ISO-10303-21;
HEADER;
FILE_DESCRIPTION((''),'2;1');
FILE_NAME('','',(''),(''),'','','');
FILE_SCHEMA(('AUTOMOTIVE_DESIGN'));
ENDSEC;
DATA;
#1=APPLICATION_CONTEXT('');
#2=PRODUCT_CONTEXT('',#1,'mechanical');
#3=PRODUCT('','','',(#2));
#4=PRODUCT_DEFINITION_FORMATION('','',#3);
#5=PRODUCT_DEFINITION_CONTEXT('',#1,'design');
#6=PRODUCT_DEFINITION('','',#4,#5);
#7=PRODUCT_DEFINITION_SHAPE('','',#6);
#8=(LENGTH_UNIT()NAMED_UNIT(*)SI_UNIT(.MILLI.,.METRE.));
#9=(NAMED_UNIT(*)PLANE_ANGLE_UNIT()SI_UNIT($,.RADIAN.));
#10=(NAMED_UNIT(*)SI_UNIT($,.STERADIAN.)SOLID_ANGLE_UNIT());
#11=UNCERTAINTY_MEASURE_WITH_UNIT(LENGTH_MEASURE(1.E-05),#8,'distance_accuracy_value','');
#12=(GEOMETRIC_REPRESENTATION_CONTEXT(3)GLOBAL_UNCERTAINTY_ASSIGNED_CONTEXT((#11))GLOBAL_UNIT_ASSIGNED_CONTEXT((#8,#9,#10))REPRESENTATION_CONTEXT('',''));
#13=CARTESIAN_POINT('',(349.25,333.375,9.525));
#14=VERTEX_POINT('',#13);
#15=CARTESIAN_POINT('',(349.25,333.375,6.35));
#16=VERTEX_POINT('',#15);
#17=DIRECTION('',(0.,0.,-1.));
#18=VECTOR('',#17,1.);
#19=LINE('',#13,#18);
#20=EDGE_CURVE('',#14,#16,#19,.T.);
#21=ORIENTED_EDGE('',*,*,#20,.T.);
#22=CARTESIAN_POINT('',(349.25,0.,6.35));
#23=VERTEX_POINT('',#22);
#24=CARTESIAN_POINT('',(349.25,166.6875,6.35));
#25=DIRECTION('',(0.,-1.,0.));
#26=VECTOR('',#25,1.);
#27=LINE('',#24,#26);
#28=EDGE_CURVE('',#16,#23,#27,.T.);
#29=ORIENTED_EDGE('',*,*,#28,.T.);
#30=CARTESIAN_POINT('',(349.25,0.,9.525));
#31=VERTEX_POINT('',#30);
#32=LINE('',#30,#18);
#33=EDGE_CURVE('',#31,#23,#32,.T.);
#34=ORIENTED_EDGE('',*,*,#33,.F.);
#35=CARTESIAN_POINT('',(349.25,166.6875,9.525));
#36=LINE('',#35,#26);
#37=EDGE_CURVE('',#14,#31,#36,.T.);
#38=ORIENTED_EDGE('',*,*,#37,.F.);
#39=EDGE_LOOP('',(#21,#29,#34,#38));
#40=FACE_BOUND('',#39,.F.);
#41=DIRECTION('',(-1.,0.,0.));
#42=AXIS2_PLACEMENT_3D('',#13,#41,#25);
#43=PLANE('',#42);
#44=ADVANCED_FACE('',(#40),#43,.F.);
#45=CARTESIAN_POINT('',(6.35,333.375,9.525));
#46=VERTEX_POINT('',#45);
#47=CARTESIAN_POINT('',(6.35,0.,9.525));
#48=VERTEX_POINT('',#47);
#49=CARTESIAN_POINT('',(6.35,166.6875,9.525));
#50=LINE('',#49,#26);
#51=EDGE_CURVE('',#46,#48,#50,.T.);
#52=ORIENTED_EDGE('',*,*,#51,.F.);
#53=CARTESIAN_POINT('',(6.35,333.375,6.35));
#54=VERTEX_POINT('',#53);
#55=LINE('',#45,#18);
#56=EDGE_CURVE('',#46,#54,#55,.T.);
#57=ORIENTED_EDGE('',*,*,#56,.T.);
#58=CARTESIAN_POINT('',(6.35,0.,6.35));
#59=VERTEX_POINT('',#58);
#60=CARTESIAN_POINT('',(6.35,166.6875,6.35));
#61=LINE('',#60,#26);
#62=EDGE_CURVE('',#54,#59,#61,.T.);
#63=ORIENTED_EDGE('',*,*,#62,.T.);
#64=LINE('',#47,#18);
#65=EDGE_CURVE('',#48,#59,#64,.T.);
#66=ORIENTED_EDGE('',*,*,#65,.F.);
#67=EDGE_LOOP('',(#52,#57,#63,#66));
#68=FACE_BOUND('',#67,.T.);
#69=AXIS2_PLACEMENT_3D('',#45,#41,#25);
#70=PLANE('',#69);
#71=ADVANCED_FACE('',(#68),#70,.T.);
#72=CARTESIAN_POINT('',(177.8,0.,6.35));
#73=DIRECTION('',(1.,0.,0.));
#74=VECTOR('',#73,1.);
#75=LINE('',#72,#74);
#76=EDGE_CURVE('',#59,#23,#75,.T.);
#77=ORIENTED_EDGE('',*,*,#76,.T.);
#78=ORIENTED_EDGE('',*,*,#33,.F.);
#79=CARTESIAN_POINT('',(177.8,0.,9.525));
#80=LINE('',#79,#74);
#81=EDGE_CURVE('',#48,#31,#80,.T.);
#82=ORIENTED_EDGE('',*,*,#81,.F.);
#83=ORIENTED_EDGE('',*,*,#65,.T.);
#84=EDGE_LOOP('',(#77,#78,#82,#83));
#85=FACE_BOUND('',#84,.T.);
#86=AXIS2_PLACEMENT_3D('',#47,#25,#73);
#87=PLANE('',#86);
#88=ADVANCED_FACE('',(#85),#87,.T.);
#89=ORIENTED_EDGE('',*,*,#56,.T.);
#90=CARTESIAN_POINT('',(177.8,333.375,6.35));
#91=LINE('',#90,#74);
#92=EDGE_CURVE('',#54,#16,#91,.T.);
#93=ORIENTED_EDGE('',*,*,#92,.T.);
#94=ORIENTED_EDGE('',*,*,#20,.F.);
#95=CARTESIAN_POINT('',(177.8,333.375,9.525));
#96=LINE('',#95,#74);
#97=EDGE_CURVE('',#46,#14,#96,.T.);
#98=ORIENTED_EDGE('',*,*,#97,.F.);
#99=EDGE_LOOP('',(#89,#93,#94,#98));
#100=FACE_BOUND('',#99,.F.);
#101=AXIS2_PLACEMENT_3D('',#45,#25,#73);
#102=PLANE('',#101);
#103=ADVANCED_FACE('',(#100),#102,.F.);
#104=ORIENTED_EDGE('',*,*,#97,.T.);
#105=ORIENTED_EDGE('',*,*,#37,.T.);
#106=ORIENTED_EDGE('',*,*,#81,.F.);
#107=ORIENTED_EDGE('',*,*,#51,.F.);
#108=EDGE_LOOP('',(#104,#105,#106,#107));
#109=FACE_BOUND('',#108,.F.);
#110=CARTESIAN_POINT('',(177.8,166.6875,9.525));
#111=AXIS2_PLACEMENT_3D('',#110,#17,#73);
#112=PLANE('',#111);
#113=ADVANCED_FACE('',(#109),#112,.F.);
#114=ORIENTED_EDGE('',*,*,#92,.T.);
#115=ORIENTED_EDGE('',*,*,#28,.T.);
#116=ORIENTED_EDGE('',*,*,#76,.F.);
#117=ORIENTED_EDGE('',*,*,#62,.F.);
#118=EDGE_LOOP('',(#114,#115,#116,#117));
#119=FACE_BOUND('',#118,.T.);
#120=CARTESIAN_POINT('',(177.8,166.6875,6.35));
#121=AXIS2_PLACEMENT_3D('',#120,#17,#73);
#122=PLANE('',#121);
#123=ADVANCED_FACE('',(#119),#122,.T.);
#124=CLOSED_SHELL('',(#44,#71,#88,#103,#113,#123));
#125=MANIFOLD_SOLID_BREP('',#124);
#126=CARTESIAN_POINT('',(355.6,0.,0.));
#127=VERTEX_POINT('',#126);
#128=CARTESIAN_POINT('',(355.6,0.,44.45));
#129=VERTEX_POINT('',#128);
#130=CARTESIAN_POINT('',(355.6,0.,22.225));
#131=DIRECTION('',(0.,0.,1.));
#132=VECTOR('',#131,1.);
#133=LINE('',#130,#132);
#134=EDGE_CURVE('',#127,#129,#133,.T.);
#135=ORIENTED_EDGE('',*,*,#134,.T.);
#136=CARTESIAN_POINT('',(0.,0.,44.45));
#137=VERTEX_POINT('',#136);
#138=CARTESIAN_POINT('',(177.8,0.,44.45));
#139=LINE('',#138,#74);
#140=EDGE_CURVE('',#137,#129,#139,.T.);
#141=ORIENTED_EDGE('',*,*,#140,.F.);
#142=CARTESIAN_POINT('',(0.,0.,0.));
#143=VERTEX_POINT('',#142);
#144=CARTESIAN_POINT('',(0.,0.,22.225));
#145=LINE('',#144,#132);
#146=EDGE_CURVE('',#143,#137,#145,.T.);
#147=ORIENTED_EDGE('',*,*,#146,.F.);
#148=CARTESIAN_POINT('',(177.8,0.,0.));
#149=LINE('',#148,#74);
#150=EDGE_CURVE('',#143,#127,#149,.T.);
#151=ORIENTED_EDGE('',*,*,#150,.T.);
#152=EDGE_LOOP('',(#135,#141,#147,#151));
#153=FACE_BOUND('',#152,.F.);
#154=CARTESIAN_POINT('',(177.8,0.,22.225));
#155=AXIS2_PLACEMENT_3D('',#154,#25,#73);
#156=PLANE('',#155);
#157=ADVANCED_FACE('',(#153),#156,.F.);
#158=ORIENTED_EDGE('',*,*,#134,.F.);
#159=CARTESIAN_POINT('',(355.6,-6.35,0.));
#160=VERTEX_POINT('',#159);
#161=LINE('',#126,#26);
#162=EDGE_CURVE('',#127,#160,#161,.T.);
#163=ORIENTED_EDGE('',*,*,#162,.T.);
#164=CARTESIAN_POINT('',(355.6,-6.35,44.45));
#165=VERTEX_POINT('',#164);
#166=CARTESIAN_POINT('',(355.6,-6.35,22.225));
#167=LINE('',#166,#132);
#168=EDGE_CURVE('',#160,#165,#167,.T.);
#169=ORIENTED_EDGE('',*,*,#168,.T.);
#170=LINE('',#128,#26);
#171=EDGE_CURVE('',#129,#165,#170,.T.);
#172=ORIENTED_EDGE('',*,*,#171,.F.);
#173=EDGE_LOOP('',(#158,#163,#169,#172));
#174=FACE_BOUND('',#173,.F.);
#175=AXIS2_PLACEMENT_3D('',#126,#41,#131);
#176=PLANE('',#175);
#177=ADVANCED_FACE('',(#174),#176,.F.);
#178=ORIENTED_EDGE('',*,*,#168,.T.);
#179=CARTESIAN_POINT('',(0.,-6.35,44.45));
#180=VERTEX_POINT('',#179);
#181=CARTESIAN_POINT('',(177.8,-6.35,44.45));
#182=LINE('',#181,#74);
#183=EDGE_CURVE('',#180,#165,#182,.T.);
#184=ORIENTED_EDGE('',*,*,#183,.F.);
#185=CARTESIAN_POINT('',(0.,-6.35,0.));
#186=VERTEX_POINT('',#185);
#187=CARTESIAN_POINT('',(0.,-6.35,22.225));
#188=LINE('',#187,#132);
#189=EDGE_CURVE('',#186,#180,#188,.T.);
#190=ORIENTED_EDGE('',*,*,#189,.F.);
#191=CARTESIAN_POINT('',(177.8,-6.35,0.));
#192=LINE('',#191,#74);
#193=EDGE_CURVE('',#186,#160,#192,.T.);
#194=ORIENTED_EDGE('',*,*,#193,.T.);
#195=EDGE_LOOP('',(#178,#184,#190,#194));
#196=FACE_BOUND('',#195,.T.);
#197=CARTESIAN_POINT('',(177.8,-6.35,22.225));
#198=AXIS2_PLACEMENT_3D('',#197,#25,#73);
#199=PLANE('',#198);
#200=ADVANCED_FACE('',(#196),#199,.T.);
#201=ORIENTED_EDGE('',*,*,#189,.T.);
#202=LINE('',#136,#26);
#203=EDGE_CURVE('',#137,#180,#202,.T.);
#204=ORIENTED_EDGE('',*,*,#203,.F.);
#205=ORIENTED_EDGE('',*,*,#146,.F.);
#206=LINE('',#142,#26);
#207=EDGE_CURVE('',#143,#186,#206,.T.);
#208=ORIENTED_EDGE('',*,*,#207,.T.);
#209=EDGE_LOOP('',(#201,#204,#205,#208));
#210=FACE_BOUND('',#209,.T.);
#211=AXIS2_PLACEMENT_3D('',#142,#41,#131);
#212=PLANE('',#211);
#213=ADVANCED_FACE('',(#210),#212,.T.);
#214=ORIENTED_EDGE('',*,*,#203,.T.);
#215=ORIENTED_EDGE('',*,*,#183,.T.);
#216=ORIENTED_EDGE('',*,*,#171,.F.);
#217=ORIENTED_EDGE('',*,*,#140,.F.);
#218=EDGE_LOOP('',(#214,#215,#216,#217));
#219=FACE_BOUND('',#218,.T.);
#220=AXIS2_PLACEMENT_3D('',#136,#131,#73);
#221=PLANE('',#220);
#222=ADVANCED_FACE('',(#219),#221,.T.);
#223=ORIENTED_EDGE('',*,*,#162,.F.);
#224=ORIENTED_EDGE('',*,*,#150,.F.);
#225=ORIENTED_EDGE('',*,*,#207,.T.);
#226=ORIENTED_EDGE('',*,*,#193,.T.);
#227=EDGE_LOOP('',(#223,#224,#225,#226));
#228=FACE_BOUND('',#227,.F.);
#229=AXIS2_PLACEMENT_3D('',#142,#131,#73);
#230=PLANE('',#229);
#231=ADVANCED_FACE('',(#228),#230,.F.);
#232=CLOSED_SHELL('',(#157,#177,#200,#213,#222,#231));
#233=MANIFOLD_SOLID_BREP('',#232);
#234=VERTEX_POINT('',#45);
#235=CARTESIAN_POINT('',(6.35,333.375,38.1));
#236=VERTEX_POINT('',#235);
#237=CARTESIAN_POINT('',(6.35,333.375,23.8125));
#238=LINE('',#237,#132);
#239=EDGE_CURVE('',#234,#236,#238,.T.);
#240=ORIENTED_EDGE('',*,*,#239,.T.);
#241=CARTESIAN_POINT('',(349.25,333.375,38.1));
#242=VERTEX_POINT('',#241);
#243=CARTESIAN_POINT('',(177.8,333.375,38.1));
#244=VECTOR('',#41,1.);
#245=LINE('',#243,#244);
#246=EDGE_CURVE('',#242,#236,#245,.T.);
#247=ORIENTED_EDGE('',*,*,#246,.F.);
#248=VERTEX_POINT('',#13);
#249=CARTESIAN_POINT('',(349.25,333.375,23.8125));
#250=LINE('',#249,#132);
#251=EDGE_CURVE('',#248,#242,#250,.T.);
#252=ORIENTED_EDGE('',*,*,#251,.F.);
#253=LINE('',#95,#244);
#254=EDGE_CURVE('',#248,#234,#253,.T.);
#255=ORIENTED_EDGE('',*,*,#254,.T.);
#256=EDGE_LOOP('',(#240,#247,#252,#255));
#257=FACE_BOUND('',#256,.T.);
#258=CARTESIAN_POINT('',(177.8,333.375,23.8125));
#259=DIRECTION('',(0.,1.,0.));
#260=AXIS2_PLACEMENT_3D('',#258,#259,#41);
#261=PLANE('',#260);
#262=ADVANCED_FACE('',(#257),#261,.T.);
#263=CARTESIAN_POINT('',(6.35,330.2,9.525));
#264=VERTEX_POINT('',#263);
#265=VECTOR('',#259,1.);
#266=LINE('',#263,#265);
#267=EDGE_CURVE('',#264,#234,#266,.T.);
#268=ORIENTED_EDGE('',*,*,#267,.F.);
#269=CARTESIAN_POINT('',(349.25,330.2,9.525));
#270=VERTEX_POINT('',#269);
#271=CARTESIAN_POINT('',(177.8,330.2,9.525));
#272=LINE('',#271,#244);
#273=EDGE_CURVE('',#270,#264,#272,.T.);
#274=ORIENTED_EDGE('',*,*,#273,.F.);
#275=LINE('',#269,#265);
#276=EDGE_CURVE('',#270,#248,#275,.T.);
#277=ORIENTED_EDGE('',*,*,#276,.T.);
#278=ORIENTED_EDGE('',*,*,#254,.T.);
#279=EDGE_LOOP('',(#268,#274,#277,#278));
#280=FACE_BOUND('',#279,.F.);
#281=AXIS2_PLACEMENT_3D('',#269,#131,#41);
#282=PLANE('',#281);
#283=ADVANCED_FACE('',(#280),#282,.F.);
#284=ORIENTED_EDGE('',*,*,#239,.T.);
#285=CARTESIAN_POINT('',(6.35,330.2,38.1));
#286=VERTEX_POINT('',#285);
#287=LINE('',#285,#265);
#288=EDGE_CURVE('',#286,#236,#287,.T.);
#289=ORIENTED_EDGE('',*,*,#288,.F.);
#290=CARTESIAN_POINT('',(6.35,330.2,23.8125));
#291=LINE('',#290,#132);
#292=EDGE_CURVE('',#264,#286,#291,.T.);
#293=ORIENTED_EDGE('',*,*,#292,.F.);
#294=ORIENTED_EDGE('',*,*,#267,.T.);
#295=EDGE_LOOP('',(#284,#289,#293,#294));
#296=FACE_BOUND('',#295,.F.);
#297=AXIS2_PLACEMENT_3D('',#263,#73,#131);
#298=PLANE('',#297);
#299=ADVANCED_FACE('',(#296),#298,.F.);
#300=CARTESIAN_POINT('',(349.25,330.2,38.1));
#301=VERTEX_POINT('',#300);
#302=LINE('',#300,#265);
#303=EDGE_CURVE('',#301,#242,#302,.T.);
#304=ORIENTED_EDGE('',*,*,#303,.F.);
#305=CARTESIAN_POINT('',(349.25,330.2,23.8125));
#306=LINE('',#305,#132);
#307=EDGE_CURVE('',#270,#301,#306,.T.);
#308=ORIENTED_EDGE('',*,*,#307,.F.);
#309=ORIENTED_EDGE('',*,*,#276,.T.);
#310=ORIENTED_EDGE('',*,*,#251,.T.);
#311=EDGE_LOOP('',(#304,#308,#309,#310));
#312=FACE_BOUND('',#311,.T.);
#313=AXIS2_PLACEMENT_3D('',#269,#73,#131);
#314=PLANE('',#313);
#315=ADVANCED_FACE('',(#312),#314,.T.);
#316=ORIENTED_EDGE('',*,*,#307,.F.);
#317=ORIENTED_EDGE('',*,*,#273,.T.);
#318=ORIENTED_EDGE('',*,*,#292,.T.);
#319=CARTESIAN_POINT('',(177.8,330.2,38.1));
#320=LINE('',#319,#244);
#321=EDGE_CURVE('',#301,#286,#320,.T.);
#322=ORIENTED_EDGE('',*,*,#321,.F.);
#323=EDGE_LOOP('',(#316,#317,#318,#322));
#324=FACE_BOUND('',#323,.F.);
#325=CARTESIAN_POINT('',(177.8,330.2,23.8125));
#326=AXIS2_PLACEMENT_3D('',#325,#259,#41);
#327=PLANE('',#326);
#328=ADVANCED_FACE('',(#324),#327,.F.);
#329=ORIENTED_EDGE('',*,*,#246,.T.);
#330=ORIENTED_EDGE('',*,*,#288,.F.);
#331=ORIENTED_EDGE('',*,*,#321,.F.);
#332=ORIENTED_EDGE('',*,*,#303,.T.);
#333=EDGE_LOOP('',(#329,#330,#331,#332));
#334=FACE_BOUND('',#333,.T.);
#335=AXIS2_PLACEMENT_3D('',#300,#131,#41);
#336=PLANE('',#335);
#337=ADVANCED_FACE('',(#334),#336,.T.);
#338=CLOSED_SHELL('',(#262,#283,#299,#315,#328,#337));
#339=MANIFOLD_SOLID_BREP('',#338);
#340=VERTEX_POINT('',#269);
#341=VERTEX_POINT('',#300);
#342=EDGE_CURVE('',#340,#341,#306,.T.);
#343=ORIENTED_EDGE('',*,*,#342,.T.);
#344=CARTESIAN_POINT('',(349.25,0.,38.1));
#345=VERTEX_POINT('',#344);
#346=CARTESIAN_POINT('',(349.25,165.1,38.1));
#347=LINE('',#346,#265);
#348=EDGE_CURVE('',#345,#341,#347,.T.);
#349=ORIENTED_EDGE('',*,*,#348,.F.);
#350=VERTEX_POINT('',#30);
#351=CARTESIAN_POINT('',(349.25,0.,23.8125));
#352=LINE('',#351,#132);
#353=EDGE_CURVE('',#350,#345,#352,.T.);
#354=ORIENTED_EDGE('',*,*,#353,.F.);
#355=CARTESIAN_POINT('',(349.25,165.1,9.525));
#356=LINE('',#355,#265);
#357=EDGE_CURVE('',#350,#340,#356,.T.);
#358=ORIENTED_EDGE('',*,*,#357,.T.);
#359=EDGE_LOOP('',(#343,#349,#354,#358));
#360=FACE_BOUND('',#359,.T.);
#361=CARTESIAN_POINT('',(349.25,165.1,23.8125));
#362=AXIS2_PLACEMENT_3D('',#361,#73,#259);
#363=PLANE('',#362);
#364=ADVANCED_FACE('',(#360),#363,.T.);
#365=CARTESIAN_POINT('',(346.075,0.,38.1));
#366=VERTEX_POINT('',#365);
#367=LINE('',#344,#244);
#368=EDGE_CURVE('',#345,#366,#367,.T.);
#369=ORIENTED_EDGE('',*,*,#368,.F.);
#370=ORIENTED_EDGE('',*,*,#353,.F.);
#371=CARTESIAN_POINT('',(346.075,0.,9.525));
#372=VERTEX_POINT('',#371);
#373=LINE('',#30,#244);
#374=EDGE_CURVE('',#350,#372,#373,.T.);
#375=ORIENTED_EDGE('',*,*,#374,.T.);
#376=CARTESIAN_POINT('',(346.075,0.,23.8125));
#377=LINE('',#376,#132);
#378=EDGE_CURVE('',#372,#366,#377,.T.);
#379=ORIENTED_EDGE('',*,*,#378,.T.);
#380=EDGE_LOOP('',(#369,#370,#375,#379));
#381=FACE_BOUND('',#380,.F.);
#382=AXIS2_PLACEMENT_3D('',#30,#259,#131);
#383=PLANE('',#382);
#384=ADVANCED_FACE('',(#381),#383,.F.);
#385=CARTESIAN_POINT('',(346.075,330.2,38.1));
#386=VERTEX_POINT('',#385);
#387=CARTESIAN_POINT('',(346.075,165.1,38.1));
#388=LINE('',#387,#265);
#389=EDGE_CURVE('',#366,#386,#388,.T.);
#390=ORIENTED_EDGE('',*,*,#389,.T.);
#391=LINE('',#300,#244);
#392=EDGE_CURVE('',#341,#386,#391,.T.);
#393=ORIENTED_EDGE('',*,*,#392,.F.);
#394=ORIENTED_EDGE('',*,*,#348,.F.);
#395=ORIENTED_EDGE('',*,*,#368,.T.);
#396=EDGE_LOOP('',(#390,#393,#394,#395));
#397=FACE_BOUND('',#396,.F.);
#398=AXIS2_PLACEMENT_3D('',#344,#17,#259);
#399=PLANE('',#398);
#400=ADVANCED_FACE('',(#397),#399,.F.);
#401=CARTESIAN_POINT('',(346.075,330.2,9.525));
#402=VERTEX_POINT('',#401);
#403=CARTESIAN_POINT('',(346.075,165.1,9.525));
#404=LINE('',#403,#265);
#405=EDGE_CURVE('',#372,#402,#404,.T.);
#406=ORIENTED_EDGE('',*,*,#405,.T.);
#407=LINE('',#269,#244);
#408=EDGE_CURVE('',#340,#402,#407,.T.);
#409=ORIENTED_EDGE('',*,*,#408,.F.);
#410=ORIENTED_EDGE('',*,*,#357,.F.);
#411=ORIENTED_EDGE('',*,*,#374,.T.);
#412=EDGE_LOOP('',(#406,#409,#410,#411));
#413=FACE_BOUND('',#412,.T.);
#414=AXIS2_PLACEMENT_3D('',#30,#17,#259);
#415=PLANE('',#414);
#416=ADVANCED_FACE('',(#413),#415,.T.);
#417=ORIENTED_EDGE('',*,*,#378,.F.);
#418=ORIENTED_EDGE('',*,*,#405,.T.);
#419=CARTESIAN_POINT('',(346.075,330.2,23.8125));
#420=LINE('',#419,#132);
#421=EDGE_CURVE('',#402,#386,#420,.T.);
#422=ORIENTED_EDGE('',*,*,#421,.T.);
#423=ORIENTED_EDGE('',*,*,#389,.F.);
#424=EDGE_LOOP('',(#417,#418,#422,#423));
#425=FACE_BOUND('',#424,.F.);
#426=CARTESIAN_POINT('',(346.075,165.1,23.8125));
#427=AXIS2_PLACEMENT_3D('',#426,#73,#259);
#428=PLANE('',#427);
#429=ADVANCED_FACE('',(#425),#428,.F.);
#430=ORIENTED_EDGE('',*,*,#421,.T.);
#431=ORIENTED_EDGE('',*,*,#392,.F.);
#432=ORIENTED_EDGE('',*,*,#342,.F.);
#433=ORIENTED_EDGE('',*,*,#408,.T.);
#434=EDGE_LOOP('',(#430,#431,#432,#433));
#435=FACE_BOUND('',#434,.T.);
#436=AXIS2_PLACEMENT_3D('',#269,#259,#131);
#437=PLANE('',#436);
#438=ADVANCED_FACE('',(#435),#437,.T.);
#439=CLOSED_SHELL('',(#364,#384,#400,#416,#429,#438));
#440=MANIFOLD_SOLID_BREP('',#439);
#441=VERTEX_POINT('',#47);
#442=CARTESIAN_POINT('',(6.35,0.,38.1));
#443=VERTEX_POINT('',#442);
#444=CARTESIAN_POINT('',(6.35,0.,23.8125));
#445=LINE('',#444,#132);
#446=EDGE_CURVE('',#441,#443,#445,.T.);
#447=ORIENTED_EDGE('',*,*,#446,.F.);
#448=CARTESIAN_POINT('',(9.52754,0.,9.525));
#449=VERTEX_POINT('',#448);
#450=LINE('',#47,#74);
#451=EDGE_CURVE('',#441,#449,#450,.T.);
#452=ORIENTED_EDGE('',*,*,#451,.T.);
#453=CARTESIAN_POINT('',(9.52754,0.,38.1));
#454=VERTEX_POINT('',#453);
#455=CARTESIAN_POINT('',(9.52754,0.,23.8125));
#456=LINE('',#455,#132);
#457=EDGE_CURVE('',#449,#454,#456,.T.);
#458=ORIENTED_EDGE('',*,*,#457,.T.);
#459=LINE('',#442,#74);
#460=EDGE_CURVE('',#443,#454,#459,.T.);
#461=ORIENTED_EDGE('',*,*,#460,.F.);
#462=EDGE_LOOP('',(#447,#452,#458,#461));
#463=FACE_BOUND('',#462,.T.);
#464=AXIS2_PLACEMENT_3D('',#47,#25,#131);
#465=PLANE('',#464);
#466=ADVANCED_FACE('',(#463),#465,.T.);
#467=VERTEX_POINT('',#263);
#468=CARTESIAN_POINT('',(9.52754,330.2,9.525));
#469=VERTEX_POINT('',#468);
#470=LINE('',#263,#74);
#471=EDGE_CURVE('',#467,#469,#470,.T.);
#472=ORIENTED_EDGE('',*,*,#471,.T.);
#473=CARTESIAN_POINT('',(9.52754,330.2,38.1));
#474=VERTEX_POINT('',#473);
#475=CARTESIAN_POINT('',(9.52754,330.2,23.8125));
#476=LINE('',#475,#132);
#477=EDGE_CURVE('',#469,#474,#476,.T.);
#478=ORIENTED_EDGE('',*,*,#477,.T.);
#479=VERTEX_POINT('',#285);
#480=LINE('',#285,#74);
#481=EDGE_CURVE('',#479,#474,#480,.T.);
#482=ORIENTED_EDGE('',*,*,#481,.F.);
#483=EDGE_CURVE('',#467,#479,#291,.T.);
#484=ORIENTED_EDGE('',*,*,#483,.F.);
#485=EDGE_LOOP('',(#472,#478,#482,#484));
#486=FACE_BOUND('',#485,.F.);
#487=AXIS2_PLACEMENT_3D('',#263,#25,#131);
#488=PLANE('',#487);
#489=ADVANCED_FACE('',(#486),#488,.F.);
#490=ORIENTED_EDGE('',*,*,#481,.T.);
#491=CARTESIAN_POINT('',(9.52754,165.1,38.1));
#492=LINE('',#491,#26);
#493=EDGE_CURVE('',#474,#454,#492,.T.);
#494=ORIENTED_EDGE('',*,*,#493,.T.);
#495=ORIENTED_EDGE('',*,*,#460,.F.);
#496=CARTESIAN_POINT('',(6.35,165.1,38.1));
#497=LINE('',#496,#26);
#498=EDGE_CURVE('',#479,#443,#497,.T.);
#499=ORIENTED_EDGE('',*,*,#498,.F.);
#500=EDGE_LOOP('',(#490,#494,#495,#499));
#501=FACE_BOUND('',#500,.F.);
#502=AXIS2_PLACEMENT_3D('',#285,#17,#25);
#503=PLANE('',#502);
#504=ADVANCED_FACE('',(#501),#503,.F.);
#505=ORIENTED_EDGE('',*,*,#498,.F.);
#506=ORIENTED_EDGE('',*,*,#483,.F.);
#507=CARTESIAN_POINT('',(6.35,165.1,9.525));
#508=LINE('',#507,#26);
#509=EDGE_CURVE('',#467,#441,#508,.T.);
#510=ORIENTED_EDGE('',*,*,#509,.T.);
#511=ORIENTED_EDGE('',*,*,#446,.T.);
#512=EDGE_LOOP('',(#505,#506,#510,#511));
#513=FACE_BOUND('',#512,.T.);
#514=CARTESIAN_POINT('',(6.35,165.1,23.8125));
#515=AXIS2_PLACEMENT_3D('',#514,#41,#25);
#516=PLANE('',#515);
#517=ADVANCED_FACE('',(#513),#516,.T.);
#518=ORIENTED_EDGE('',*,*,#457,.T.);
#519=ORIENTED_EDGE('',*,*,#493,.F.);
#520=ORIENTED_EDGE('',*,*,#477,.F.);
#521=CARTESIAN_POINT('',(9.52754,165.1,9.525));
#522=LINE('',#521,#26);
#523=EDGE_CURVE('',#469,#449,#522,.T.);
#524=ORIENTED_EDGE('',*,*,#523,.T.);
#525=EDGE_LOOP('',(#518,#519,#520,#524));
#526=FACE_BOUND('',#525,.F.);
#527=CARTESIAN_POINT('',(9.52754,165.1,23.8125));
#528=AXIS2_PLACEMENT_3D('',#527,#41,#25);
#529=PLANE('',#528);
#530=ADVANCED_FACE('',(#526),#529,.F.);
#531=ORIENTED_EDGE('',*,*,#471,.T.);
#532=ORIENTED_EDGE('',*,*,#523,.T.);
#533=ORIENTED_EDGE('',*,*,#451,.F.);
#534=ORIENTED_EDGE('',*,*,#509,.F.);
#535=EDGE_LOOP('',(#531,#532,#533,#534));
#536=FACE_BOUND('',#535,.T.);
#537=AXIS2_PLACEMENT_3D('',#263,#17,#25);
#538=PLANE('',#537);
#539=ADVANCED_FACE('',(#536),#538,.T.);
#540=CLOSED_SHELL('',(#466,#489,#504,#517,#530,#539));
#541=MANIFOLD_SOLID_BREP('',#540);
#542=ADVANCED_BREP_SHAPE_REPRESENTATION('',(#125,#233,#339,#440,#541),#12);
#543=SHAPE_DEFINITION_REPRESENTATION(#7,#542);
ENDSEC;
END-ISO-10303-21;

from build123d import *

# Parameters (mm, degrees)
F0_W      = 355.6
F0_H      = 44.45
F1_DEPTH  = 6.35
F4_W      = 330.2
F4_H      = 28.575
F5_DEPTH  = 3.175
F6_W      = 330.2
F6_H      = 28.575
F7_DEPTH  = 3.17754
F8_W      = 342.9
F8_H      = 28.575
F9_DEPTH  = 3.175
F10_W     = 342.9
F10_H     = 333.375
F11_DEPTH = 3.175


with BuildPart() as f1:
    # F0 (on Front) → F1 (new body)
    with BuildSketch(Plane.XZ):
        with Locations((177.8, 22.225)):
            Rectangle(F0_W, F0_H)
    extrude(amount=F1_DEPTH)


with BuildPart() as f5:
    # F4 (on offset) → F5 (new body)
    with BuildSketch(Plane.YZ.offset(349.25)):
        with Locations((165.1, 23.8125)):
            Rectangle(F4_W, F4_H)
    extrude(amount=-F5_DEPTH)


with BuildPart() as f7:
    # F6 (on offset) → F7 (new body)
    with BuildSketch(Plane(origin=(6.35, 0, 0), x_dir=(0, -1, 0), z_dir=(-1, 0, 0))):
        with Locations((-165.1, 23.8125)):
            Rectangle(F6_W, F6_H)
    extrude(amount=-F7_DEPTH)


with BuildPart() as f9:
    # F8 (on face) → F9 (new body)
    with BuildSketch(Plane(origin=(0, 330.2, 0), x_dir=(-1, 0, 0), z_dir=(0, 1, 0))):
        with Locations((-177.8, 23.8125)):
            Rectangle(F8_W, F8_H)
    extrude(amount=F9_DEPTH)


with BuildPart() as f11:
    # F10 (on face) → F11 (new body)
    with BuildSketch(Plane(origin=(0, 0, 9.525), x_dir=(1, 0, 0), z_dir=(0, 0, -1))):
        with Locations((177.8, -166.6875)):
            Rectangle(F10_W, F10_H)
    extrude(amount=F11_DEPTH)


solid = Compound([f1.part, f5.part, f7.part, f9.part, f11.part])
